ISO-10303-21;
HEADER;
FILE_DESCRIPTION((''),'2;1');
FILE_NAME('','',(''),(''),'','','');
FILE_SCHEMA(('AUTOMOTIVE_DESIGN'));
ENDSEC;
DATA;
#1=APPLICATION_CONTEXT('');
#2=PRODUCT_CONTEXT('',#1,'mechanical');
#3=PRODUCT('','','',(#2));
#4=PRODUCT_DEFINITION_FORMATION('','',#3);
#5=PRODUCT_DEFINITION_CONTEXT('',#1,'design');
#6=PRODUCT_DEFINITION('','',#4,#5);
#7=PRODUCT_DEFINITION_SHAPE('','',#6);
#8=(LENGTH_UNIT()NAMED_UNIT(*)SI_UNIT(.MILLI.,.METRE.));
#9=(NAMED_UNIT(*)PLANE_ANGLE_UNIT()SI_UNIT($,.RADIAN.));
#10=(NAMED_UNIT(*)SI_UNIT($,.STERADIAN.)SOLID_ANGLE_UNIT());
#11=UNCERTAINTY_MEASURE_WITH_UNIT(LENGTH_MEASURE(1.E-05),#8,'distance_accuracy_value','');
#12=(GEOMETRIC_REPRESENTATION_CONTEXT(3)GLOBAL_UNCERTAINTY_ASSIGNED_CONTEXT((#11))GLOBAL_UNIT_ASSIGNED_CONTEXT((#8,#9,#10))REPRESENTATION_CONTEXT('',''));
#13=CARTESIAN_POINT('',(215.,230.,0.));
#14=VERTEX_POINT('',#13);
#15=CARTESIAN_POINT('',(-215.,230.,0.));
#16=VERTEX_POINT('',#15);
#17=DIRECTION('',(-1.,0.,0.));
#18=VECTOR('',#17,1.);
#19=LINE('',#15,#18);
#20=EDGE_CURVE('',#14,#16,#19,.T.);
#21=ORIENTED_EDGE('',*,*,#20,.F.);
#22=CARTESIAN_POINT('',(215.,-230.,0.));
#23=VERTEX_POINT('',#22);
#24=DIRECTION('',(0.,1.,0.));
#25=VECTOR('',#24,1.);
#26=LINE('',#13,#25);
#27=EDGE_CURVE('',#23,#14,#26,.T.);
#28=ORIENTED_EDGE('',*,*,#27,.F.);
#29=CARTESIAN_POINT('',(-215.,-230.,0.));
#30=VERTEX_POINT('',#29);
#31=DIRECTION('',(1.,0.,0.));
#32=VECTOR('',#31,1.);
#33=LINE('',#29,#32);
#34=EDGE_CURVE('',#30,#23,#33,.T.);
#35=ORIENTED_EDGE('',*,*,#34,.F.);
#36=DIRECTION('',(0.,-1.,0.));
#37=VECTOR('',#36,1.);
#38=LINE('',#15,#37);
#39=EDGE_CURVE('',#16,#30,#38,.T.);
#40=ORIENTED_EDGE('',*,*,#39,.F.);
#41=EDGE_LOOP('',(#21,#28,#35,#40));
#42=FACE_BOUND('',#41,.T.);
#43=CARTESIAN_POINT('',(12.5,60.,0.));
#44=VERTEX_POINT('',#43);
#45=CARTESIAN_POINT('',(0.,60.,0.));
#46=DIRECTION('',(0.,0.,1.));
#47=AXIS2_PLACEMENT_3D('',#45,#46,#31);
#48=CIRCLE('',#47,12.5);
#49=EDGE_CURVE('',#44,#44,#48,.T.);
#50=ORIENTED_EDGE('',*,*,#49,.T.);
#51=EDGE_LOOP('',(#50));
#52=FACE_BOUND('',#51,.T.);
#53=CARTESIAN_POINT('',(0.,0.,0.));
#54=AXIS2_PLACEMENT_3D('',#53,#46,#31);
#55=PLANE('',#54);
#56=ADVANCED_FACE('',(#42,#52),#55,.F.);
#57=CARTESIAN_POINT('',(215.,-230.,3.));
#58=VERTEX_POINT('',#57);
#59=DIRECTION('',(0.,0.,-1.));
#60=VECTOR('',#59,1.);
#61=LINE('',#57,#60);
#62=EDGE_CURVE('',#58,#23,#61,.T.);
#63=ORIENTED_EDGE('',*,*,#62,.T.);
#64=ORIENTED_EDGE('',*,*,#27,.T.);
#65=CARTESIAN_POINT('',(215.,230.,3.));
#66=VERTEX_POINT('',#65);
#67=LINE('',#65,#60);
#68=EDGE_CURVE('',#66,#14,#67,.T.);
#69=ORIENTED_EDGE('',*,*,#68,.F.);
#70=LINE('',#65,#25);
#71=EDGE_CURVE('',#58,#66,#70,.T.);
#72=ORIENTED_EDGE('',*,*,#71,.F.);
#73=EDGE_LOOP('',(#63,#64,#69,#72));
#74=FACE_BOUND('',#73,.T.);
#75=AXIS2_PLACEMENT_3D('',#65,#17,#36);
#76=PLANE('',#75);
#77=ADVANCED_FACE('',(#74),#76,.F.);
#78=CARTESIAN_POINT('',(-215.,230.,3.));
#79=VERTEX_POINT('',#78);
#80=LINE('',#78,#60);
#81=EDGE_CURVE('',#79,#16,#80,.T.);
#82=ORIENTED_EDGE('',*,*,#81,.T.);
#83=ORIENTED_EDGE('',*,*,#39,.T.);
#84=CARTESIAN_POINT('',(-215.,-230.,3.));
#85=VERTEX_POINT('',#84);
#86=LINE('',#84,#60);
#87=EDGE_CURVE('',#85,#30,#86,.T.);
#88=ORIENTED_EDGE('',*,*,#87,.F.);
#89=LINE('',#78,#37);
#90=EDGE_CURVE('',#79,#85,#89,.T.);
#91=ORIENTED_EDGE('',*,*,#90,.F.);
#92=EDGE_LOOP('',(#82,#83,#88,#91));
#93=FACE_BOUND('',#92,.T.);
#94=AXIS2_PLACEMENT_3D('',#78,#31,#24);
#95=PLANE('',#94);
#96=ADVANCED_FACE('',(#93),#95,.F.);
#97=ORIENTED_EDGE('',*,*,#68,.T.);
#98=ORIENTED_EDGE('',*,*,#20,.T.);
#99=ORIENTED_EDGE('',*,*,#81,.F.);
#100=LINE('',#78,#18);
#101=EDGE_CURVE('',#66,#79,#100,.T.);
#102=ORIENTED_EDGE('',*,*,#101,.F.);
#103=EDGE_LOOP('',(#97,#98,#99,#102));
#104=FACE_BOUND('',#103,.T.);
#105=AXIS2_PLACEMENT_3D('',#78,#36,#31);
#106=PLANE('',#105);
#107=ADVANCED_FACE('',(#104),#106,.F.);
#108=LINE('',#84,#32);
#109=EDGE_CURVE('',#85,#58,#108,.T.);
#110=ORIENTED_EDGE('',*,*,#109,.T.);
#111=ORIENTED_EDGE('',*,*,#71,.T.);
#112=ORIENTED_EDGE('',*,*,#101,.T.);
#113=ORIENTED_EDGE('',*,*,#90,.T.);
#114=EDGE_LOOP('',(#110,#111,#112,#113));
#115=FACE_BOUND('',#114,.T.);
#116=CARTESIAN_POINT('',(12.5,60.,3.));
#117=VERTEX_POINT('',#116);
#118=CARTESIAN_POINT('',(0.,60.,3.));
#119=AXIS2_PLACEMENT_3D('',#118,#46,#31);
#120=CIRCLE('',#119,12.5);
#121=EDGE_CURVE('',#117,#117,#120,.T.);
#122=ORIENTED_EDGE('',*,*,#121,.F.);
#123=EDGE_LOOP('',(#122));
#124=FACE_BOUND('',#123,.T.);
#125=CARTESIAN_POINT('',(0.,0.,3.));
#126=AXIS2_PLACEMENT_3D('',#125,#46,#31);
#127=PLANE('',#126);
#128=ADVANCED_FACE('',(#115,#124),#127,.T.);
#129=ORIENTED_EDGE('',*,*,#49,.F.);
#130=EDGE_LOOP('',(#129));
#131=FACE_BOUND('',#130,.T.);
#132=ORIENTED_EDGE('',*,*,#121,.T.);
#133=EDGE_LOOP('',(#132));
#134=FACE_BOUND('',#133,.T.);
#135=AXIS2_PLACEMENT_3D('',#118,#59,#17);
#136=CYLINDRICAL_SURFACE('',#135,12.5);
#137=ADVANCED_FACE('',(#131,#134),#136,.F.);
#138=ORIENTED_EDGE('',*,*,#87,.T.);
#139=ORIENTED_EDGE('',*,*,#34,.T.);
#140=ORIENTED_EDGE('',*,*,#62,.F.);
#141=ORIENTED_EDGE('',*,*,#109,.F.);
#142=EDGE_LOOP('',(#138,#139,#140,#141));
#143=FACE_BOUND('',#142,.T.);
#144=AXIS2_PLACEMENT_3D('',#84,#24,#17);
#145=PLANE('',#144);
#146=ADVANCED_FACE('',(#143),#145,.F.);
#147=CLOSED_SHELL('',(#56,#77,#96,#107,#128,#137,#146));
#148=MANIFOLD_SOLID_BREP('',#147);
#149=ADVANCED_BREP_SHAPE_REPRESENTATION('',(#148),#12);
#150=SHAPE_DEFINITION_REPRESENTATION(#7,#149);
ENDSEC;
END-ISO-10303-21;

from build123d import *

# Parameters (mm, degrees)
SKETCH1_W           = 430
SKETCH1_H           = 460
SKETCH1_R           = 12.5
BOSS_EXTRUDE1_DEPTH = 3


with BuildPart() as part:
    # Sketch1 → Boss-Extrude1 (new body)
    with BuildSketch(Plane.XY):
        Rectangle(SKETCH1_W, SKETCH1_H)
        with Locations((0, 60)):
            Circle(SKETCH1_R, mode=Mode.SUBTRACT)
    extrude(amount=BOSS_EXTRUDE1_DEPTH)


solid = part.part
